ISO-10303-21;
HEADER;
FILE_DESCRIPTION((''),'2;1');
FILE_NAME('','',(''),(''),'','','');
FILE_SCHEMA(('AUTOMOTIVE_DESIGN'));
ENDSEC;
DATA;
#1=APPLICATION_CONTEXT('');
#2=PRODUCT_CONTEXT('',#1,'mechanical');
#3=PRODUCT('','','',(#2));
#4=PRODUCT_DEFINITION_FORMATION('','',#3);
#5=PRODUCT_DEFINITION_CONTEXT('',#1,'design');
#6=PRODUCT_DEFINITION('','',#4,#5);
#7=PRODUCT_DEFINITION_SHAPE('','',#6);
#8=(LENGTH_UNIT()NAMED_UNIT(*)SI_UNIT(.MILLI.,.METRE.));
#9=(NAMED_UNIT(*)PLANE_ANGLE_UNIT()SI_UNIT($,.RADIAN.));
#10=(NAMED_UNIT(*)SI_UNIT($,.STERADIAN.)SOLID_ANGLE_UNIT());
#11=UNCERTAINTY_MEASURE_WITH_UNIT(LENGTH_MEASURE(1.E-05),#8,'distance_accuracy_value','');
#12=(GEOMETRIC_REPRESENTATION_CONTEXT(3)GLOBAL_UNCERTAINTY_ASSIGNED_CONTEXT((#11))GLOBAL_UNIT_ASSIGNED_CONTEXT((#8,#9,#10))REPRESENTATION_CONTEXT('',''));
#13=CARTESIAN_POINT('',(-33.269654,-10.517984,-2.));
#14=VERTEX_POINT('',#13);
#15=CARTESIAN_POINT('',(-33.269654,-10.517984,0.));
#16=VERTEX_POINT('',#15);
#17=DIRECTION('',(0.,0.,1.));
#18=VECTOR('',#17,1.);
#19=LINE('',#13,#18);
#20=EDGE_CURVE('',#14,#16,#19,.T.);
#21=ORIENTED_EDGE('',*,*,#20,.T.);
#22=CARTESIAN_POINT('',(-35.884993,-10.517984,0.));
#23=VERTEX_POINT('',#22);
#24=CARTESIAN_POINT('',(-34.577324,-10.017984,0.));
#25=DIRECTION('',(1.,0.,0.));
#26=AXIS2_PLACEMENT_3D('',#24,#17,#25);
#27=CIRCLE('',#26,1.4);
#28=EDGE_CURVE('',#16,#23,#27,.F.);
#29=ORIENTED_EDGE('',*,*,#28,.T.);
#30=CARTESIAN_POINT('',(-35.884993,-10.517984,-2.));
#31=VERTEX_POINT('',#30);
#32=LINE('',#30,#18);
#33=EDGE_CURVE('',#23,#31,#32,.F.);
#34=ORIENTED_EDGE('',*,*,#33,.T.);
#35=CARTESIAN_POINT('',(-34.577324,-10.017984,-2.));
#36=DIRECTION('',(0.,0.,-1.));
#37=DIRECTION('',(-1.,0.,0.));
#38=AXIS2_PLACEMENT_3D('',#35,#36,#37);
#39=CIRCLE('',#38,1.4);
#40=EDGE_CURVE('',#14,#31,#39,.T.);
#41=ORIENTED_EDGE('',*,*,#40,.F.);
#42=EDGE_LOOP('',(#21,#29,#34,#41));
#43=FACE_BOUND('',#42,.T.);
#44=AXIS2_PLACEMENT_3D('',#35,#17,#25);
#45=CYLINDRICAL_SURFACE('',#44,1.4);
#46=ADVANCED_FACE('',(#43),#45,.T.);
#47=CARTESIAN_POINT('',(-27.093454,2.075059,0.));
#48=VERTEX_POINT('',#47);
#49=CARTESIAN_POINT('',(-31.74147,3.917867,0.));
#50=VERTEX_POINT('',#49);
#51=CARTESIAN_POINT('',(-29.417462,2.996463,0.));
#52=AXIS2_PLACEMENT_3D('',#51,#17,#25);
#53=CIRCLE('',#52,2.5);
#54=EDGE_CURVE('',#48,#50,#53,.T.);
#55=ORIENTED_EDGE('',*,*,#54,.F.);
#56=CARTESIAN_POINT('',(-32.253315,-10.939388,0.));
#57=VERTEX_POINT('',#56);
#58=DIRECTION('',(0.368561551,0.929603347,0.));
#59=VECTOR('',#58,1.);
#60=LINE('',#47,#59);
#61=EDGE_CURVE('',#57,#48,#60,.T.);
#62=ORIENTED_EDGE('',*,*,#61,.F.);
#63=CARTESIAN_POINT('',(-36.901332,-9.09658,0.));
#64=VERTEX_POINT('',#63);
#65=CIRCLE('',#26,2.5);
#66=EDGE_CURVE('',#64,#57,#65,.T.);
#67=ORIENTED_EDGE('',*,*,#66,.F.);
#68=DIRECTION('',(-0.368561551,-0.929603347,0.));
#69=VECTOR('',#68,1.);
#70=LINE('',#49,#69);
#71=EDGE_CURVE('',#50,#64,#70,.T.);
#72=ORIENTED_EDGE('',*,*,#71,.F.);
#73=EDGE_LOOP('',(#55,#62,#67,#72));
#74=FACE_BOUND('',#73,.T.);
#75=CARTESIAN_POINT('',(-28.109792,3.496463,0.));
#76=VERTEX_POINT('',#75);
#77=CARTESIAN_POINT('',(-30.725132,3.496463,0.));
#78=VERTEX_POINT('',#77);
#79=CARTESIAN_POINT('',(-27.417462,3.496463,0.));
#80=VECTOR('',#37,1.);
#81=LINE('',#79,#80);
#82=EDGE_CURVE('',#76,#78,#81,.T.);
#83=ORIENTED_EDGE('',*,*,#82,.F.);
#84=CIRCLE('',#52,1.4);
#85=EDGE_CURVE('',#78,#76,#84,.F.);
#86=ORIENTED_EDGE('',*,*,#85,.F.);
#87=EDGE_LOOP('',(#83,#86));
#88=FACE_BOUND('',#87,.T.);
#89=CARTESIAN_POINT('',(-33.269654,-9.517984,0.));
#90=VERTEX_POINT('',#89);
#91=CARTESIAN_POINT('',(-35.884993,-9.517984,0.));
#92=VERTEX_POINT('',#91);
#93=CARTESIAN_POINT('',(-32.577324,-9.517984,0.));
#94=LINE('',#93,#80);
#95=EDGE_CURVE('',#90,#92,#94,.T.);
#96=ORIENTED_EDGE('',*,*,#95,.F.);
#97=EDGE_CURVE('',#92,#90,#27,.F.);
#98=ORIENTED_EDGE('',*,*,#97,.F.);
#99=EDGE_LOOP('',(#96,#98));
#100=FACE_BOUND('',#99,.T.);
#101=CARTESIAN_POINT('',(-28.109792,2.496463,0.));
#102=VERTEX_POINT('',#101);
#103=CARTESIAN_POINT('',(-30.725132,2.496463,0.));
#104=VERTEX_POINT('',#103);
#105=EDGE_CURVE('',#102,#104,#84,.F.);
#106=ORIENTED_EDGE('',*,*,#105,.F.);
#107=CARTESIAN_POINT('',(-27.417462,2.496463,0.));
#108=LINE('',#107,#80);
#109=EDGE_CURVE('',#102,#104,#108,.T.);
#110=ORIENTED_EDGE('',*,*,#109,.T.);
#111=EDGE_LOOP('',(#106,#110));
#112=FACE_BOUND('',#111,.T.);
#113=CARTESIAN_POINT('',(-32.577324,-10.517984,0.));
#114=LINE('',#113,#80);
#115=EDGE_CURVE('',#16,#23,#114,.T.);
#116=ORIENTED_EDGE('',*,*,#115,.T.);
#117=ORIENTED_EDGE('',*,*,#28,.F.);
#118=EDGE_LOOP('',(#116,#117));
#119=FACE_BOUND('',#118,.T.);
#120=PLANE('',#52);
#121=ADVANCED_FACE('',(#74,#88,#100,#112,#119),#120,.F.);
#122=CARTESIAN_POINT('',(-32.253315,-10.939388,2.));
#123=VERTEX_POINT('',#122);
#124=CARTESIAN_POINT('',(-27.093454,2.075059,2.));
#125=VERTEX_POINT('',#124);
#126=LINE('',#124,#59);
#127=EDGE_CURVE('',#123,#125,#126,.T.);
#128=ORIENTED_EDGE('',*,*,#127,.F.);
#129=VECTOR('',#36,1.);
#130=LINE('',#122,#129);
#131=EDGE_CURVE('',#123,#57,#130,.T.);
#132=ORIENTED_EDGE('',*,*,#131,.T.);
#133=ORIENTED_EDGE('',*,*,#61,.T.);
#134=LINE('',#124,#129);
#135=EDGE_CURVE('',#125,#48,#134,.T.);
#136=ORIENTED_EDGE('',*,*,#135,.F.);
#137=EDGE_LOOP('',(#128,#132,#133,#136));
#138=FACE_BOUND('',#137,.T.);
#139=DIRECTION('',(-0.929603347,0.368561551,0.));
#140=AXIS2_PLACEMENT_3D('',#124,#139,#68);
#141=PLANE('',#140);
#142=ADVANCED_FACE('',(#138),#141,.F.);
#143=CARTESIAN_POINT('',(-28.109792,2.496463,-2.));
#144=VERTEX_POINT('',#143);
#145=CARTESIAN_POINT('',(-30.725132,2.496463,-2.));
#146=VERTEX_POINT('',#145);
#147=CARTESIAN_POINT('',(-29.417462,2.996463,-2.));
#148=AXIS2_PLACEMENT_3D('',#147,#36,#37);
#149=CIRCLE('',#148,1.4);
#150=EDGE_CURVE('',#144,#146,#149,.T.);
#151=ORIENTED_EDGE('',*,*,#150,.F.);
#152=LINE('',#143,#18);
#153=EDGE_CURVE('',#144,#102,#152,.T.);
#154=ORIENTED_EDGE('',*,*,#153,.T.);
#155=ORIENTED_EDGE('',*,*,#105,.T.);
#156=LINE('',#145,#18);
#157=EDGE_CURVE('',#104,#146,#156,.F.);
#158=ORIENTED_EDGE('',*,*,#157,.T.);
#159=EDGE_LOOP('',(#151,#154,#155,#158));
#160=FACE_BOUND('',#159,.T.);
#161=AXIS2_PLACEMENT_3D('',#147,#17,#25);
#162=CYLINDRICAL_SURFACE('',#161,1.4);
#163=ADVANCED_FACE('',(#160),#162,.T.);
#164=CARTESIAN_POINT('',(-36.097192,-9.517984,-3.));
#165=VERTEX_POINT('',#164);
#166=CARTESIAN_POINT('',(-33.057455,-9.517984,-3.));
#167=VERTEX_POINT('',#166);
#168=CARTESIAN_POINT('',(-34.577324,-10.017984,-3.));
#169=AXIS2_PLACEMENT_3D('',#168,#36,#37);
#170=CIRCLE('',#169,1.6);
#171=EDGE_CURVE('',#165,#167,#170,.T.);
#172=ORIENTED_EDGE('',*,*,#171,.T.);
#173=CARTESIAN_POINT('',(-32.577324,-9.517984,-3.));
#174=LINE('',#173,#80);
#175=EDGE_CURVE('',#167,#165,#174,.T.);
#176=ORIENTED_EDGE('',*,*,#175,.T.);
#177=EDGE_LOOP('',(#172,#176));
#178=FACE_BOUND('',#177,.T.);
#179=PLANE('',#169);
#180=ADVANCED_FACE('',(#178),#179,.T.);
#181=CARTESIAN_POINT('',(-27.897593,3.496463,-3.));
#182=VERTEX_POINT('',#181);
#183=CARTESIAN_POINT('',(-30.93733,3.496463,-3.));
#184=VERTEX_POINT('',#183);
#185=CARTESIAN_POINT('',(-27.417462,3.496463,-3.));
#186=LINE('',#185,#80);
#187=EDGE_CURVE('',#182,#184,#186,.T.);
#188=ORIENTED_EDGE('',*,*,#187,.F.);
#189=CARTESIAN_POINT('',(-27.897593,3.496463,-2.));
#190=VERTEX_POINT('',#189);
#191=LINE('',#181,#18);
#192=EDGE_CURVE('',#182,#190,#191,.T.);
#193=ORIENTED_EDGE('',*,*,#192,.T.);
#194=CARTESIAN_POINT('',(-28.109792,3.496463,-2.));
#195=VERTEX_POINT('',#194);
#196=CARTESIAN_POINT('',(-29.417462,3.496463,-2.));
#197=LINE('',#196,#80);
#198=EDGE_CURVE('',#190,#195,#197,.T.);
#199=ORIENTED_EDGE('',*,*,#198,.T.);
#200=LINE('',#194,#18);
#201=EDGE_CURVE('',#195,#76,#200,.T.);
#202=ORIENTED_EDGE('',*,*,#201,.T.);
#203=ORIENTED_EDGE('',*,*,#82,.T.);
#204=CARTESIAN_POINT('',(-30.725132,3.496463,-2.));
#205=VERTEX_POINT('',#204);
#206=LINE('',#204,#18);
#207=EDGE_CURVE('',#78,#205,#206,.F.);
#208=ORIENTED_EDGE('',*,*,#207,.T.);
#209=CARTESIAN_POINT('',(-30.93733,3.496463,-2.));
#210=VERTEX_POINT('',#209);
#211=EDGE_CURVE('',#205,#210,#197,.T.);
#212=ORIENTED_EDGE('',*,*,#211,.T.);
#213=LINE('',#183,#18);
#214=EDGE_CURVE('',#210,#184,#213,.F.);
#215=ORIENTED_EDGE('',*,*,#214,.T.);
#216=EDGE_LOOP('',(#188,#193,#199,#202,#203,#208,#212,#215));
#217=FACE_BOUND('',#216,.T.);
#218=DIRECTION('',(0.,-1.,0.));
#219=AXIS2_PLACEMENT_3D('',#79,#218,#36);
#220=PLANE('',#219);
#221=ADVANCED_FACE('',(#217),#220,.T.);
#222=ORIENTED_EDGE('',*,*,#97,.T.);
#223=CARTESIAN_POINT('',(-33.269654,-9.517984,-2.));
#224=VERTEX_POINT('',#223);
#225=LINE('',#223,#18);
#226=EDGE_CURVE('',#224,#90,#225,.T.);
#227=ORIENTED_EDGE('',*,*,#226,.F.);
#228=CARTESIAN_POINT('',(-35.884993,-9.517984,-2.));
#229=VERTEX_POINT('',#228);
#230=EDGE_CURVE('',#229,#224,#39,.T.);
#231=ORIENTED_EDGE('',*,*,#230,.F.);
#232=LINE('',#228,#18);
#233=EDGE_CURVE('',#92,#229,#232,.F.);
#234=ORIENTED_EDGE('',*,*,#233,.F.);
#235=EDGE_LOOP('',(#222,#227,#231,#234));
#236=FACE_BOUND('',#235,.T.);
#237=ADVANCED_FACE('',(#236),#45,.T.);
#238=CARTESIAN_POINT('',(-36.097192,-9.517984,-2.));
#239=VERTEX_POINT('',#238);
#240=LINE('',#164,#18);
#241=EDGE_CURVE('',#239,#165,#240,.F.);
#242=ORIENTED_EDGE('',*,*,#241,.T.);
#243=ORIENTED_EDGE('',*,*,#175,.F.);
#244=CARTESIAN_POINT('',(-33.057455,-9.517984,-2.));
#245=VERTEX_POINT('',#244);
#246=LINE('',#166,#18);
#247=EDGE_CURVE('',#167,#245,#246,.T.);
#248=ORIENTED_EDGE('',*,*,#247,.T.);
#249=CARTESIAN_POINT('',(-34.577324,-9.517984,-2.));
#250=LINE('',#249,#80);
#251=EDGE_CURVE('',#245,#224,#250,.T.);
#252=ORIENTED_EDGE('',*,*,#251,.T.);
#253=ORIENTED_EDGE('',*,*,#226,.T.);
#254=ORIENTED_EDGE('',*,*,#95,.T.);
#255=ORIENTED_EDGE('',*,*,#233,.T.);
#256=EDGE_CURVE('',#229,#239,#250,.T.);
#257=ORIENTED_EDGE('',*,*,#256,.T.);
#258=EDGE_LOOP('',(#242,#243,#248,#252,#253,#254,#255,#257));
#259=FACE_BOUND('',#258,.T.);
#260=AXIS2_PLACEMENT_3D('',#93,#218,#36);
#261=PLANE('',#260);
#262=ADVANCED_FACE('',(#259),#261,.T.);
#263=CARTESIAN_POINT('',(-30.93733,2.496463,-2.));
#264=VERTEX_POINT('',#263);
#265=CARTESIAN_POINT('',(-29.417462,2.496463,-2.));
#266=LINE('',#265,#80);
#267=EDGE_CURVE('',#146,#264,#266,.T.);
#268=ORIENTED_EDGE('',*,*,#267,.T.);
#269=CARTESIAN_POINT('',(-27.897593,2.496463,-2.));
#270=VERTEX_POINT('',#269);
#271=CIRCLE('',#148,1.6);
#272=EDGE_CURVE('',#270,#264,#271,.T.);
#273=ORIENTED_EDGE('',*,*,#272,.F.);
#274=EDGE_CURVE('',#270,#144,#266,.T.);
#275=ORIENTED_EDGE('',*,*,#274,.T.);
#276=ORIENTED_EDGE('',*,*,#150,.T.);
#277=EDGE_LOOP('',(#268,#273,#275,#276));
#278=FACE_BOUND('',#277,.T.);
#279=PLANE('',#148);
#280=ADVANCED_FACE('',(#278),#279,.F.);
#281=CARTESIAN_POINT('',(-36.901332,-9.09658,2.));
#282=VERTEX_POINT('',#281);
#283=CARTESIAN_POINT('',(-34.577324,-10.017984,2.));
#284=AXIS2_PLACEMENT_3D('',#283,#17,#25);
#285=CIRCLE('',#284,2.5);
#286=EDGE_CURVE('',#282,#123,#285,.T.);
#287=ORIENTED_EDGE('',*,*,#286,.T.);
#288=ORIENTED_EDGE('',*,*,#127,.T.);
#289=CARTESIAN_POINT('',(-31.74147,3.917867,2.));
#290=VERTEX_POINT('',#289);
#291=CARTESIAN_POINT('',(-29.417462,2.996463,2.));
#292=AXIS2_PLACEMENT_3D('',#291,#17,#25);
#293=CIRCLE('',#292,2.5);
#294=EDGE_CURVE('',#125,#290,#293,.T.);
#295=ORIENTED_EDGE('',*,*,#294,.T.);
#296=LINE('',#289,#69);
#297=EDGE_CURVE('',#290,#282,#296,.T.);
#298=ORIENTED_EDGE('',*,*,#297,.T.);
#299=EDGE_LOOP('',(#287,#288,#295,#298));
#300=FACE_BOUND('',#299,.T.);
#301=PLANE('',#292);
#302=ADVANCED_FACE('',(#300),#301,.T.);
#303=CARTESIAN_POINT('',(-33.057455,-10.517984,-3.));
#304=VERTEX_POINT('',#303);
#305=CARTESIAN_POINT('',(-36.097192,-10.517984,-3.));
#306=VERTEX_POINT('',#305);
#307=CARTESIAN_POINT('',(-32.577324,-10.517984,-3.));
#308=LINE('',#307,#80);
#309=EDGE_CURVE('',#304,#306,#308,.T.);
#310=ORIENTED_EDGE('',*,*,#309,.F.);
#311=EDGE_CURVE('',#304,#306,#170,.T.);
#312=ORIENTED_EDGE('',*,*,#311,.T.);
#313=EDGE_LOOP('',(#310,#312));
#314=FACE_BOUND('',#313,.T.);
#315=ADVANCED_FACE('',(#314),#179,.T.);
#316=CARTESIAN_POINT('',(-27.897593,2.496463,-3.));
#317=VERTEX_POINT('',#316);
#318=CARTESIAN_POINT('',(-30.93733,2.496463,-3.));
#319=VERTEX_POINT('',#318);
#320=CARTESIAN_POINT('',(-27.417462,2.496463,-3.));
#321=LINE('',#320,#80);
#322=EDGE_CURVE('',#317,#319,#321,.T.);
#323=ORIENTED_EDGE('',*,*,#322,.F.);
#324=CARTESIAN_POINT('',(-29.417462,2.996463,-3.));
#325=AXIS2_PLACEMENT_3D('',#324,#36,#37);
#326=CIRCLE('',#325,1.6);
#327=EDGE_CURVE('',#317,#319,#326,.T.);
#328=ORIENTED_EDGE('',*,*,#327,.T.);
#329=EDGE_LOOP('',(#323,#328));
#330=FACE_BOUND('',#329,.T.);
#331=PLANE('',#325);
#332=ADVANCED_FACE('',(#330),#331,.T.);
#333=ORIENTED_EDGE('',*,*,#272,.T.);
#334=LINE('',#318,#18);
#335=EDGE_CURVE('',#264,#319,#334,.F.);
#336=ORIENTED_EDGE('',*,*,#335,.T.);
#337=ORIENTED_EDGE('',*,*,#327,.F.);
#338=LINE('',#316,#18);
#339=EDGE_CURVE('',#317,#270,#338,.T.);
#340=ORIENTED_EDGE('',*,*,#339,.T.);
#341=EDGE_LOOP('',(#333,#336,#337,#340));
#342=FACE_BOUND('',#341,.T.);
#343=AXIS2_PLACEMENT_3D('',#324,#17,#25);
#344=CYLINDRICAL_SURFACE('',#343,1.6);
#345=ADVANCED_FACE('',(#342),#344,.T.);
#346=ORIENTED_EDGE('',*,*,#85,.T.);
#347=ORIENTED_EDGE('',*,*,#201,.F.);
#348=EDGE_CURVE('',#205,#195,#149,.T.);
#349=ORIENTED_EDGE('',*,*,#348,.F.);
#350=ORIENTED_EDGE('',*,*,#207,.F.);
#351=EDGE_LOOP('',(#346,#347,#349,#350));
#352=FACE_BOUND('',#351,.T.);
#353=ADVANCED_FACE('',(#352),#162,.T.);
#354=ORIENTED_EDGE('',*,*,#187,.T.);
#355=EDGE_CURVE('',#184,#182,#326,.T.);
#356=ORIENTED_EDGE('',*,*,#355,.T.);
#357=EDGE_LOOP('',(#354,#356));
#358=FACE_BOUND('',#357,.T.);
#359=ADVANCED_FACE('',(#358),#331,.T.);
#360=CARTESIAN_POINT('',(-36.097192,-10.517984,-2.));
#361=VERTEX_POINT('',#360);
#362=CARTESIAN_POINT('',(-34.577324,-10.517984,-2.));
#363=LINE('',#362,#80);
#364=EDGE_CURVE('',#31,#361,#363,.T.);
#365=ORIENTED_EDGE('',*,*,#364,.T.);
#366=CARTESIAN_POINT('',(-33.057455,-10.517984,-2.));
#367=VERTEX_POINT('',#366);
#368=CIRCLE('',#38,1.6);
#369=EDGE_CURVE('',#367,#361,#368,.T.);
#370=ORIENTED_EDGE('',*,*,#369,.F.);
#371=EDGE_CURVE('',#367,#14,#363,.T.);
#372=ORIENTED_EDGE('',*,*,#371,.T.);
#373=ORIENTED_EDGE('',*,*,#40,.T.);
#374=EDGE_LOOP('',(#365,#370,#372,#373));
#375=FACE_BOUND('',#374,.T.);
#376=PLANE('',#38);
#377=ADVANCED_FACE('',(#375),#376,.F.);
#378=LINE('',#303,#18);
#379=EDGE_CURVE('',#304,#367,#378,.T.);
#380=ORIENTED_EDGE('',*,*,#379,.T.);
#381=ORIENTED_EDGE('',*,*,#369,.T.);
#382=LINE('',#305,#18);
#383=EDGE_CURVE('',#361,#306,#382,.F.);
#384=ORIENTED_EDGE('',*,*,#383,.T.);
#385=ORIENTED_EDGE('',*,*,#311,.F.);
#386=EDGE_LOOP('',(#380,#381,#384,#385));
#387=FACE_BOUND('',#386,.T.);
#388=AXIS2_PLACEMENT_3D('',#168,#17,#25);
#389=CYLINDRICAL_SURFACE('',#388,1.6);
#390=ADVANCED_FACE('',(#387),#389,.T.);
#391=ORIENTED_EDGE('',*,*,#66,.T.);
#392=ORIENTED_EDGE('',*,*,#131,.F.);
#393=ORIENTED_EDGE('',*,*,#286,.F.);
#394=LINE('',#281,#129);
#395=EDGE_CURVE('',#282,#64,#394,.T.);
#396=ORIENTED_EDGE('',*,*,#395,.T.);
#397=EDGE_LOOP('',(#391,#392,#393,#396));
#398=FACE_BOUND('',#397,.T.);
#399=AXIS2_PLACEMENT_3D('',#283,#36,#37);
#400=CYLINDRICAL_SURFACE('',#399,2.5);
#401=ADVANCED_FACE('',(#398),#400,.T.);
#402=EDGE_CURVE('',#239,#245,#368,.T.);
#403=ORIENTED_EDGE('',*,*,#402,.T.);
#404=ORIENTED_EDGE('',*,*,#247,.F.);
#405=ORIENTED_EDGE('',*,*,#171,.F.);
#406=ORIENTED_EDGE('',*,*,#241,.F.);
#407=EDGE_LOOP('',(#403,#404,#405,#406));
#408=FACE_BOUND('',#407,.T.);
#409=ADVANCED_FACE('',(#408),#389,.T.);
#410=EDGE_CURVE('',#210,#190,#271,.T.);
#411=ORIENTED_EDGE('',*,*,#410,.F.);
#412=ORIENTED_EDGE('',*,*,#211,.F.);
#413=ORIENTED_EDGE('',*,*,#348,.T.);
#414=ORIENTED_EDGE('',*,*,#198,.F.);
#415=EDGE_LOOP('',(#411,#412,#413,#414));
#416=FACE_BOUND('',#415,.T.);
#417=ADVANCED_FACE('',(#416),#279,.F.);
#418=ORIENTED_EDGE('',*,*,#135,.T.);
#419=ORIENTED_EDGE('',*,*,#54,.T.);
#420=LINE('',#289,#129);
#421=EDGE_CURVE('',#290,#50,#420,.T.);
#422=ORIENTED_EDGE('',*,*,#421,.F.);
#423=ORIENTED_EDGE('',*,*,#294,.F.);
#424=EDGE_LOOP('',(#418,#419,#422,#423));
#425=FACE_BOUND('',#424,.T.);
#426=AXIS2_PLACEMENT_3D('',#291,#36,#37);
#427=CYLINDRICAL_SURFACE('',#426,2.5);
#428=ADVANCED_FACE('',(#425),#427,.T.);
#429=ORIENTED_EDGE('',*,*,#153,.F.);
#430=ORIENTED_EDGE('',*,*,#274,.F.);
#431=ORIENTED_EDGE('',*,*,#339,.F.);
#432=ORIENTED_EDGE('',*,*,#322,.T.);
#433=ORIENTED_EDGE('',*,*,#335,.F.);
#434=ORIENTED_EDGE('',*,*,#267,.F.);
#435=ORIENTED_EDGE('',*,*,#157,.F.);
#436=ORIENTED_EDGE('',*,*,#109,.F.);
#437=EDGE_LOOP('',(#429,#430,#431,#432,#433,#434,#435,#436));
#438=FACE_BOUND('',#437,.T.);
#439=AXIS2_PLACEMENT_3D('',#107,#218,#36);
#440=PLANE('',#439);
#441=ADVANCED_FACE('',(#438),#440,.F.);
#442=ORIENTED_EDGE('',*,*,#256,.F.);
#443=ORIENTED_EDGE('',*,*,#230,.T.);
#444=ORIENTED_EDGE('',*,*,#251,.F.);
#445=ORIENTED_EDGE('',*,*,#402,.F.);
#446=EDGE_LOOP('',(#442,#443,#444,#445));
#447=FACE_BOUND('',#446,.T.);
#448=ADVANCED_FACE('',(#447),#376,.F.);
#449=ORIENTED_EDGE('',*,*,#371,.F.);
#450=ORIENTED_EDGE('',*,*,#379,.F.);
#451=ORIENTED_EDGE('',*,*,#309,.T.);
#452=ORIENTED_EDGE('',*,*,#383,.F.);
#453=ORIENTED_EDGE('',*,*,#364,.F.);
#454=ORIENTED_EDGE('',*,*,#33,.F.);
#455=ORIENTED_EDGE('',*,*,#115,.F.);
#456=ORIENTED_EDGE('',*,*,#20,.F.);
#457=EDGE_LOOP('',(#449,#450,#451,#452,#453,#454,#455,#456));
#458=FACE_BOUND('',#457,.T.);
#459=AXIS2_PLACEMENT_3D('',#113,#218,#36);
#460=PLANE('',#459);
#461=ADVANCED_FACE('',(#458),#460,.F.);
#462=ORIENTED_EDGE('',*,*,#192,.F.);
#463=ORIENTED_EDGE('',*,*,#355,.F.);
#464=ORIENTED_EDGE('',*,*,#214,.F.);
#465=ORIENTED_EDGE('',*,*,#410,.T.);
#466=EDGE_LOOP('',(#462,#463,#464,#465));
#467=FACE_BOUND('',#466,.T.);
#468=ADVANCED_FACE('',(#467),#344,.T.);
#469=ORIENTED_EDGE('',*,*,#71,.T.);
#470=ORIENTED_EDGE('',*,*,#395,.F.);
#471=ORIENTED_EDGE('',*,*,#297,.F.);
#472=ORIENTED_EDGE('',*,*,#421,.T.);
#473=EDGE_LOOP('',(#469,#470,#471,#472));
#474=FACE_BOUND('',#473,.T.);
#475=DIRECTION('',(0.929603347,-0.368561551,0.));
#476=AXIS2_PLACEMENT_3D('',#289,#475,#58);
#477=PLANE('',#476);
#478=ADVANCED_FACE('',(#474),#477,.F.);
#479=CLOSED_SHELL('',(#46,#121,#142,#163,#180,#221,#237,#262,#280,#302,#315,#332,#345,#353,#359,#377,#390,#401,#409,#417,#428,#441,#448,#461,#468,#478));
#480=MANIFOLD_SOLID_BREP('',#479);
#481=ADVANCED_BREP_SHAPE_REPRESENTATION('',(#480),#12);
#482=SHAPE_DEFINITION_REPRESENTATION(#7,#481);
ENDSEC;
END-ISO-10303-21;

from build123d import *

# Parameters (mm, degrees)
BOSS_EXTRU_1_DEPTH      = 2
ESQUISSE2_R             = 1.4
BOSS_EXTRU_2_DEPTH      = 2
ESQUISSE3_R             = 1.6
BOSS_EXTRU_3_DEPTH      = 1
ESQUISSE4_W             = 4
ESQUISSE4_H             = 1
ENL_V_MAT_EXTRU_1_DEPTH = 3


with BuildPart() as part:
    # Esquisse1 → Boss.-Extru.1 (new body)
    with BuildSketch(Plane.XY):
        with BuildLine():
            Line((-27.09345354, 2.075059053), (-32.253315255, -10.939387807))
            ThreePointArc((-32.253315255, -10.939387807), (-35.4987275, -12.341992297), (-36.901331991, -9.096580052))
            Line((-36.901331991, -9.096580052), (-31.741470275, 3.917866809))
            ThreePointArc((-31.741470275, 3.917866809), (-28.49605803, 5.320471299), (-27.09345354, 2.075059053))
        make_face()
    extrude(amount=BOSS_EXTRU_1_DEPTH)

    # Esquisse2 → Boss.-Extru.2 (add)
    with BuildSketch(Plane(origin=(0, 0, 0), x_dir=(-1, 0, 0), z_dir=(0, 0, -1))):
        with Locations(Location((29.417461908, 2.996462931, 0), (0, 0, 180))):
            Circle(ESQUISSE2_R)
        with Locations(Location((34.577323623, -10.017983929, 0), (0, 0, 180))):
            Circle(ESQUISSE2_R)
    extrude(amount=BOSS_EXTRU_2_DEPTH)

    # Esquisse3 → Boss.-Extru.3 (add)
    with BuildSketch(Plane(origin=(0, 0, -2), x_dir=(-1, 0, 0), z_dir=(0, 0, -1))):
        with Locations((34.577323623, -10.017983929)):
            Circle(ESQUISSE3_R)
        with Locations((29.417461908, 2.996462931)):
            Circle(ESQUISSE3_R)
    extrude(amount=BOSS_EXTRU_3_DEPTH)

    # Esquisse4 → Enlèv. mat.-Extru.1 (cut)
    with BuildSketch(Plane(origin=(0, 0, -3), x_dir=(-1, 0, 0), z_dir=(0, 0, -1))):
        with Locations((29.417461908, 2.996462931)):
            Rectangle(ESQUISSE4_W, ESQUISSE4_H)
        with Locations((34.577323623, -10.017983929)):
            Rectangle(ESQUISSE4_W, ESQUISSE4_H)
    extrude(amount=-ENL_V_MAT_EXTRU_1_DEPTH, mode=Mode.SUBTRACT)


solid = part.part
